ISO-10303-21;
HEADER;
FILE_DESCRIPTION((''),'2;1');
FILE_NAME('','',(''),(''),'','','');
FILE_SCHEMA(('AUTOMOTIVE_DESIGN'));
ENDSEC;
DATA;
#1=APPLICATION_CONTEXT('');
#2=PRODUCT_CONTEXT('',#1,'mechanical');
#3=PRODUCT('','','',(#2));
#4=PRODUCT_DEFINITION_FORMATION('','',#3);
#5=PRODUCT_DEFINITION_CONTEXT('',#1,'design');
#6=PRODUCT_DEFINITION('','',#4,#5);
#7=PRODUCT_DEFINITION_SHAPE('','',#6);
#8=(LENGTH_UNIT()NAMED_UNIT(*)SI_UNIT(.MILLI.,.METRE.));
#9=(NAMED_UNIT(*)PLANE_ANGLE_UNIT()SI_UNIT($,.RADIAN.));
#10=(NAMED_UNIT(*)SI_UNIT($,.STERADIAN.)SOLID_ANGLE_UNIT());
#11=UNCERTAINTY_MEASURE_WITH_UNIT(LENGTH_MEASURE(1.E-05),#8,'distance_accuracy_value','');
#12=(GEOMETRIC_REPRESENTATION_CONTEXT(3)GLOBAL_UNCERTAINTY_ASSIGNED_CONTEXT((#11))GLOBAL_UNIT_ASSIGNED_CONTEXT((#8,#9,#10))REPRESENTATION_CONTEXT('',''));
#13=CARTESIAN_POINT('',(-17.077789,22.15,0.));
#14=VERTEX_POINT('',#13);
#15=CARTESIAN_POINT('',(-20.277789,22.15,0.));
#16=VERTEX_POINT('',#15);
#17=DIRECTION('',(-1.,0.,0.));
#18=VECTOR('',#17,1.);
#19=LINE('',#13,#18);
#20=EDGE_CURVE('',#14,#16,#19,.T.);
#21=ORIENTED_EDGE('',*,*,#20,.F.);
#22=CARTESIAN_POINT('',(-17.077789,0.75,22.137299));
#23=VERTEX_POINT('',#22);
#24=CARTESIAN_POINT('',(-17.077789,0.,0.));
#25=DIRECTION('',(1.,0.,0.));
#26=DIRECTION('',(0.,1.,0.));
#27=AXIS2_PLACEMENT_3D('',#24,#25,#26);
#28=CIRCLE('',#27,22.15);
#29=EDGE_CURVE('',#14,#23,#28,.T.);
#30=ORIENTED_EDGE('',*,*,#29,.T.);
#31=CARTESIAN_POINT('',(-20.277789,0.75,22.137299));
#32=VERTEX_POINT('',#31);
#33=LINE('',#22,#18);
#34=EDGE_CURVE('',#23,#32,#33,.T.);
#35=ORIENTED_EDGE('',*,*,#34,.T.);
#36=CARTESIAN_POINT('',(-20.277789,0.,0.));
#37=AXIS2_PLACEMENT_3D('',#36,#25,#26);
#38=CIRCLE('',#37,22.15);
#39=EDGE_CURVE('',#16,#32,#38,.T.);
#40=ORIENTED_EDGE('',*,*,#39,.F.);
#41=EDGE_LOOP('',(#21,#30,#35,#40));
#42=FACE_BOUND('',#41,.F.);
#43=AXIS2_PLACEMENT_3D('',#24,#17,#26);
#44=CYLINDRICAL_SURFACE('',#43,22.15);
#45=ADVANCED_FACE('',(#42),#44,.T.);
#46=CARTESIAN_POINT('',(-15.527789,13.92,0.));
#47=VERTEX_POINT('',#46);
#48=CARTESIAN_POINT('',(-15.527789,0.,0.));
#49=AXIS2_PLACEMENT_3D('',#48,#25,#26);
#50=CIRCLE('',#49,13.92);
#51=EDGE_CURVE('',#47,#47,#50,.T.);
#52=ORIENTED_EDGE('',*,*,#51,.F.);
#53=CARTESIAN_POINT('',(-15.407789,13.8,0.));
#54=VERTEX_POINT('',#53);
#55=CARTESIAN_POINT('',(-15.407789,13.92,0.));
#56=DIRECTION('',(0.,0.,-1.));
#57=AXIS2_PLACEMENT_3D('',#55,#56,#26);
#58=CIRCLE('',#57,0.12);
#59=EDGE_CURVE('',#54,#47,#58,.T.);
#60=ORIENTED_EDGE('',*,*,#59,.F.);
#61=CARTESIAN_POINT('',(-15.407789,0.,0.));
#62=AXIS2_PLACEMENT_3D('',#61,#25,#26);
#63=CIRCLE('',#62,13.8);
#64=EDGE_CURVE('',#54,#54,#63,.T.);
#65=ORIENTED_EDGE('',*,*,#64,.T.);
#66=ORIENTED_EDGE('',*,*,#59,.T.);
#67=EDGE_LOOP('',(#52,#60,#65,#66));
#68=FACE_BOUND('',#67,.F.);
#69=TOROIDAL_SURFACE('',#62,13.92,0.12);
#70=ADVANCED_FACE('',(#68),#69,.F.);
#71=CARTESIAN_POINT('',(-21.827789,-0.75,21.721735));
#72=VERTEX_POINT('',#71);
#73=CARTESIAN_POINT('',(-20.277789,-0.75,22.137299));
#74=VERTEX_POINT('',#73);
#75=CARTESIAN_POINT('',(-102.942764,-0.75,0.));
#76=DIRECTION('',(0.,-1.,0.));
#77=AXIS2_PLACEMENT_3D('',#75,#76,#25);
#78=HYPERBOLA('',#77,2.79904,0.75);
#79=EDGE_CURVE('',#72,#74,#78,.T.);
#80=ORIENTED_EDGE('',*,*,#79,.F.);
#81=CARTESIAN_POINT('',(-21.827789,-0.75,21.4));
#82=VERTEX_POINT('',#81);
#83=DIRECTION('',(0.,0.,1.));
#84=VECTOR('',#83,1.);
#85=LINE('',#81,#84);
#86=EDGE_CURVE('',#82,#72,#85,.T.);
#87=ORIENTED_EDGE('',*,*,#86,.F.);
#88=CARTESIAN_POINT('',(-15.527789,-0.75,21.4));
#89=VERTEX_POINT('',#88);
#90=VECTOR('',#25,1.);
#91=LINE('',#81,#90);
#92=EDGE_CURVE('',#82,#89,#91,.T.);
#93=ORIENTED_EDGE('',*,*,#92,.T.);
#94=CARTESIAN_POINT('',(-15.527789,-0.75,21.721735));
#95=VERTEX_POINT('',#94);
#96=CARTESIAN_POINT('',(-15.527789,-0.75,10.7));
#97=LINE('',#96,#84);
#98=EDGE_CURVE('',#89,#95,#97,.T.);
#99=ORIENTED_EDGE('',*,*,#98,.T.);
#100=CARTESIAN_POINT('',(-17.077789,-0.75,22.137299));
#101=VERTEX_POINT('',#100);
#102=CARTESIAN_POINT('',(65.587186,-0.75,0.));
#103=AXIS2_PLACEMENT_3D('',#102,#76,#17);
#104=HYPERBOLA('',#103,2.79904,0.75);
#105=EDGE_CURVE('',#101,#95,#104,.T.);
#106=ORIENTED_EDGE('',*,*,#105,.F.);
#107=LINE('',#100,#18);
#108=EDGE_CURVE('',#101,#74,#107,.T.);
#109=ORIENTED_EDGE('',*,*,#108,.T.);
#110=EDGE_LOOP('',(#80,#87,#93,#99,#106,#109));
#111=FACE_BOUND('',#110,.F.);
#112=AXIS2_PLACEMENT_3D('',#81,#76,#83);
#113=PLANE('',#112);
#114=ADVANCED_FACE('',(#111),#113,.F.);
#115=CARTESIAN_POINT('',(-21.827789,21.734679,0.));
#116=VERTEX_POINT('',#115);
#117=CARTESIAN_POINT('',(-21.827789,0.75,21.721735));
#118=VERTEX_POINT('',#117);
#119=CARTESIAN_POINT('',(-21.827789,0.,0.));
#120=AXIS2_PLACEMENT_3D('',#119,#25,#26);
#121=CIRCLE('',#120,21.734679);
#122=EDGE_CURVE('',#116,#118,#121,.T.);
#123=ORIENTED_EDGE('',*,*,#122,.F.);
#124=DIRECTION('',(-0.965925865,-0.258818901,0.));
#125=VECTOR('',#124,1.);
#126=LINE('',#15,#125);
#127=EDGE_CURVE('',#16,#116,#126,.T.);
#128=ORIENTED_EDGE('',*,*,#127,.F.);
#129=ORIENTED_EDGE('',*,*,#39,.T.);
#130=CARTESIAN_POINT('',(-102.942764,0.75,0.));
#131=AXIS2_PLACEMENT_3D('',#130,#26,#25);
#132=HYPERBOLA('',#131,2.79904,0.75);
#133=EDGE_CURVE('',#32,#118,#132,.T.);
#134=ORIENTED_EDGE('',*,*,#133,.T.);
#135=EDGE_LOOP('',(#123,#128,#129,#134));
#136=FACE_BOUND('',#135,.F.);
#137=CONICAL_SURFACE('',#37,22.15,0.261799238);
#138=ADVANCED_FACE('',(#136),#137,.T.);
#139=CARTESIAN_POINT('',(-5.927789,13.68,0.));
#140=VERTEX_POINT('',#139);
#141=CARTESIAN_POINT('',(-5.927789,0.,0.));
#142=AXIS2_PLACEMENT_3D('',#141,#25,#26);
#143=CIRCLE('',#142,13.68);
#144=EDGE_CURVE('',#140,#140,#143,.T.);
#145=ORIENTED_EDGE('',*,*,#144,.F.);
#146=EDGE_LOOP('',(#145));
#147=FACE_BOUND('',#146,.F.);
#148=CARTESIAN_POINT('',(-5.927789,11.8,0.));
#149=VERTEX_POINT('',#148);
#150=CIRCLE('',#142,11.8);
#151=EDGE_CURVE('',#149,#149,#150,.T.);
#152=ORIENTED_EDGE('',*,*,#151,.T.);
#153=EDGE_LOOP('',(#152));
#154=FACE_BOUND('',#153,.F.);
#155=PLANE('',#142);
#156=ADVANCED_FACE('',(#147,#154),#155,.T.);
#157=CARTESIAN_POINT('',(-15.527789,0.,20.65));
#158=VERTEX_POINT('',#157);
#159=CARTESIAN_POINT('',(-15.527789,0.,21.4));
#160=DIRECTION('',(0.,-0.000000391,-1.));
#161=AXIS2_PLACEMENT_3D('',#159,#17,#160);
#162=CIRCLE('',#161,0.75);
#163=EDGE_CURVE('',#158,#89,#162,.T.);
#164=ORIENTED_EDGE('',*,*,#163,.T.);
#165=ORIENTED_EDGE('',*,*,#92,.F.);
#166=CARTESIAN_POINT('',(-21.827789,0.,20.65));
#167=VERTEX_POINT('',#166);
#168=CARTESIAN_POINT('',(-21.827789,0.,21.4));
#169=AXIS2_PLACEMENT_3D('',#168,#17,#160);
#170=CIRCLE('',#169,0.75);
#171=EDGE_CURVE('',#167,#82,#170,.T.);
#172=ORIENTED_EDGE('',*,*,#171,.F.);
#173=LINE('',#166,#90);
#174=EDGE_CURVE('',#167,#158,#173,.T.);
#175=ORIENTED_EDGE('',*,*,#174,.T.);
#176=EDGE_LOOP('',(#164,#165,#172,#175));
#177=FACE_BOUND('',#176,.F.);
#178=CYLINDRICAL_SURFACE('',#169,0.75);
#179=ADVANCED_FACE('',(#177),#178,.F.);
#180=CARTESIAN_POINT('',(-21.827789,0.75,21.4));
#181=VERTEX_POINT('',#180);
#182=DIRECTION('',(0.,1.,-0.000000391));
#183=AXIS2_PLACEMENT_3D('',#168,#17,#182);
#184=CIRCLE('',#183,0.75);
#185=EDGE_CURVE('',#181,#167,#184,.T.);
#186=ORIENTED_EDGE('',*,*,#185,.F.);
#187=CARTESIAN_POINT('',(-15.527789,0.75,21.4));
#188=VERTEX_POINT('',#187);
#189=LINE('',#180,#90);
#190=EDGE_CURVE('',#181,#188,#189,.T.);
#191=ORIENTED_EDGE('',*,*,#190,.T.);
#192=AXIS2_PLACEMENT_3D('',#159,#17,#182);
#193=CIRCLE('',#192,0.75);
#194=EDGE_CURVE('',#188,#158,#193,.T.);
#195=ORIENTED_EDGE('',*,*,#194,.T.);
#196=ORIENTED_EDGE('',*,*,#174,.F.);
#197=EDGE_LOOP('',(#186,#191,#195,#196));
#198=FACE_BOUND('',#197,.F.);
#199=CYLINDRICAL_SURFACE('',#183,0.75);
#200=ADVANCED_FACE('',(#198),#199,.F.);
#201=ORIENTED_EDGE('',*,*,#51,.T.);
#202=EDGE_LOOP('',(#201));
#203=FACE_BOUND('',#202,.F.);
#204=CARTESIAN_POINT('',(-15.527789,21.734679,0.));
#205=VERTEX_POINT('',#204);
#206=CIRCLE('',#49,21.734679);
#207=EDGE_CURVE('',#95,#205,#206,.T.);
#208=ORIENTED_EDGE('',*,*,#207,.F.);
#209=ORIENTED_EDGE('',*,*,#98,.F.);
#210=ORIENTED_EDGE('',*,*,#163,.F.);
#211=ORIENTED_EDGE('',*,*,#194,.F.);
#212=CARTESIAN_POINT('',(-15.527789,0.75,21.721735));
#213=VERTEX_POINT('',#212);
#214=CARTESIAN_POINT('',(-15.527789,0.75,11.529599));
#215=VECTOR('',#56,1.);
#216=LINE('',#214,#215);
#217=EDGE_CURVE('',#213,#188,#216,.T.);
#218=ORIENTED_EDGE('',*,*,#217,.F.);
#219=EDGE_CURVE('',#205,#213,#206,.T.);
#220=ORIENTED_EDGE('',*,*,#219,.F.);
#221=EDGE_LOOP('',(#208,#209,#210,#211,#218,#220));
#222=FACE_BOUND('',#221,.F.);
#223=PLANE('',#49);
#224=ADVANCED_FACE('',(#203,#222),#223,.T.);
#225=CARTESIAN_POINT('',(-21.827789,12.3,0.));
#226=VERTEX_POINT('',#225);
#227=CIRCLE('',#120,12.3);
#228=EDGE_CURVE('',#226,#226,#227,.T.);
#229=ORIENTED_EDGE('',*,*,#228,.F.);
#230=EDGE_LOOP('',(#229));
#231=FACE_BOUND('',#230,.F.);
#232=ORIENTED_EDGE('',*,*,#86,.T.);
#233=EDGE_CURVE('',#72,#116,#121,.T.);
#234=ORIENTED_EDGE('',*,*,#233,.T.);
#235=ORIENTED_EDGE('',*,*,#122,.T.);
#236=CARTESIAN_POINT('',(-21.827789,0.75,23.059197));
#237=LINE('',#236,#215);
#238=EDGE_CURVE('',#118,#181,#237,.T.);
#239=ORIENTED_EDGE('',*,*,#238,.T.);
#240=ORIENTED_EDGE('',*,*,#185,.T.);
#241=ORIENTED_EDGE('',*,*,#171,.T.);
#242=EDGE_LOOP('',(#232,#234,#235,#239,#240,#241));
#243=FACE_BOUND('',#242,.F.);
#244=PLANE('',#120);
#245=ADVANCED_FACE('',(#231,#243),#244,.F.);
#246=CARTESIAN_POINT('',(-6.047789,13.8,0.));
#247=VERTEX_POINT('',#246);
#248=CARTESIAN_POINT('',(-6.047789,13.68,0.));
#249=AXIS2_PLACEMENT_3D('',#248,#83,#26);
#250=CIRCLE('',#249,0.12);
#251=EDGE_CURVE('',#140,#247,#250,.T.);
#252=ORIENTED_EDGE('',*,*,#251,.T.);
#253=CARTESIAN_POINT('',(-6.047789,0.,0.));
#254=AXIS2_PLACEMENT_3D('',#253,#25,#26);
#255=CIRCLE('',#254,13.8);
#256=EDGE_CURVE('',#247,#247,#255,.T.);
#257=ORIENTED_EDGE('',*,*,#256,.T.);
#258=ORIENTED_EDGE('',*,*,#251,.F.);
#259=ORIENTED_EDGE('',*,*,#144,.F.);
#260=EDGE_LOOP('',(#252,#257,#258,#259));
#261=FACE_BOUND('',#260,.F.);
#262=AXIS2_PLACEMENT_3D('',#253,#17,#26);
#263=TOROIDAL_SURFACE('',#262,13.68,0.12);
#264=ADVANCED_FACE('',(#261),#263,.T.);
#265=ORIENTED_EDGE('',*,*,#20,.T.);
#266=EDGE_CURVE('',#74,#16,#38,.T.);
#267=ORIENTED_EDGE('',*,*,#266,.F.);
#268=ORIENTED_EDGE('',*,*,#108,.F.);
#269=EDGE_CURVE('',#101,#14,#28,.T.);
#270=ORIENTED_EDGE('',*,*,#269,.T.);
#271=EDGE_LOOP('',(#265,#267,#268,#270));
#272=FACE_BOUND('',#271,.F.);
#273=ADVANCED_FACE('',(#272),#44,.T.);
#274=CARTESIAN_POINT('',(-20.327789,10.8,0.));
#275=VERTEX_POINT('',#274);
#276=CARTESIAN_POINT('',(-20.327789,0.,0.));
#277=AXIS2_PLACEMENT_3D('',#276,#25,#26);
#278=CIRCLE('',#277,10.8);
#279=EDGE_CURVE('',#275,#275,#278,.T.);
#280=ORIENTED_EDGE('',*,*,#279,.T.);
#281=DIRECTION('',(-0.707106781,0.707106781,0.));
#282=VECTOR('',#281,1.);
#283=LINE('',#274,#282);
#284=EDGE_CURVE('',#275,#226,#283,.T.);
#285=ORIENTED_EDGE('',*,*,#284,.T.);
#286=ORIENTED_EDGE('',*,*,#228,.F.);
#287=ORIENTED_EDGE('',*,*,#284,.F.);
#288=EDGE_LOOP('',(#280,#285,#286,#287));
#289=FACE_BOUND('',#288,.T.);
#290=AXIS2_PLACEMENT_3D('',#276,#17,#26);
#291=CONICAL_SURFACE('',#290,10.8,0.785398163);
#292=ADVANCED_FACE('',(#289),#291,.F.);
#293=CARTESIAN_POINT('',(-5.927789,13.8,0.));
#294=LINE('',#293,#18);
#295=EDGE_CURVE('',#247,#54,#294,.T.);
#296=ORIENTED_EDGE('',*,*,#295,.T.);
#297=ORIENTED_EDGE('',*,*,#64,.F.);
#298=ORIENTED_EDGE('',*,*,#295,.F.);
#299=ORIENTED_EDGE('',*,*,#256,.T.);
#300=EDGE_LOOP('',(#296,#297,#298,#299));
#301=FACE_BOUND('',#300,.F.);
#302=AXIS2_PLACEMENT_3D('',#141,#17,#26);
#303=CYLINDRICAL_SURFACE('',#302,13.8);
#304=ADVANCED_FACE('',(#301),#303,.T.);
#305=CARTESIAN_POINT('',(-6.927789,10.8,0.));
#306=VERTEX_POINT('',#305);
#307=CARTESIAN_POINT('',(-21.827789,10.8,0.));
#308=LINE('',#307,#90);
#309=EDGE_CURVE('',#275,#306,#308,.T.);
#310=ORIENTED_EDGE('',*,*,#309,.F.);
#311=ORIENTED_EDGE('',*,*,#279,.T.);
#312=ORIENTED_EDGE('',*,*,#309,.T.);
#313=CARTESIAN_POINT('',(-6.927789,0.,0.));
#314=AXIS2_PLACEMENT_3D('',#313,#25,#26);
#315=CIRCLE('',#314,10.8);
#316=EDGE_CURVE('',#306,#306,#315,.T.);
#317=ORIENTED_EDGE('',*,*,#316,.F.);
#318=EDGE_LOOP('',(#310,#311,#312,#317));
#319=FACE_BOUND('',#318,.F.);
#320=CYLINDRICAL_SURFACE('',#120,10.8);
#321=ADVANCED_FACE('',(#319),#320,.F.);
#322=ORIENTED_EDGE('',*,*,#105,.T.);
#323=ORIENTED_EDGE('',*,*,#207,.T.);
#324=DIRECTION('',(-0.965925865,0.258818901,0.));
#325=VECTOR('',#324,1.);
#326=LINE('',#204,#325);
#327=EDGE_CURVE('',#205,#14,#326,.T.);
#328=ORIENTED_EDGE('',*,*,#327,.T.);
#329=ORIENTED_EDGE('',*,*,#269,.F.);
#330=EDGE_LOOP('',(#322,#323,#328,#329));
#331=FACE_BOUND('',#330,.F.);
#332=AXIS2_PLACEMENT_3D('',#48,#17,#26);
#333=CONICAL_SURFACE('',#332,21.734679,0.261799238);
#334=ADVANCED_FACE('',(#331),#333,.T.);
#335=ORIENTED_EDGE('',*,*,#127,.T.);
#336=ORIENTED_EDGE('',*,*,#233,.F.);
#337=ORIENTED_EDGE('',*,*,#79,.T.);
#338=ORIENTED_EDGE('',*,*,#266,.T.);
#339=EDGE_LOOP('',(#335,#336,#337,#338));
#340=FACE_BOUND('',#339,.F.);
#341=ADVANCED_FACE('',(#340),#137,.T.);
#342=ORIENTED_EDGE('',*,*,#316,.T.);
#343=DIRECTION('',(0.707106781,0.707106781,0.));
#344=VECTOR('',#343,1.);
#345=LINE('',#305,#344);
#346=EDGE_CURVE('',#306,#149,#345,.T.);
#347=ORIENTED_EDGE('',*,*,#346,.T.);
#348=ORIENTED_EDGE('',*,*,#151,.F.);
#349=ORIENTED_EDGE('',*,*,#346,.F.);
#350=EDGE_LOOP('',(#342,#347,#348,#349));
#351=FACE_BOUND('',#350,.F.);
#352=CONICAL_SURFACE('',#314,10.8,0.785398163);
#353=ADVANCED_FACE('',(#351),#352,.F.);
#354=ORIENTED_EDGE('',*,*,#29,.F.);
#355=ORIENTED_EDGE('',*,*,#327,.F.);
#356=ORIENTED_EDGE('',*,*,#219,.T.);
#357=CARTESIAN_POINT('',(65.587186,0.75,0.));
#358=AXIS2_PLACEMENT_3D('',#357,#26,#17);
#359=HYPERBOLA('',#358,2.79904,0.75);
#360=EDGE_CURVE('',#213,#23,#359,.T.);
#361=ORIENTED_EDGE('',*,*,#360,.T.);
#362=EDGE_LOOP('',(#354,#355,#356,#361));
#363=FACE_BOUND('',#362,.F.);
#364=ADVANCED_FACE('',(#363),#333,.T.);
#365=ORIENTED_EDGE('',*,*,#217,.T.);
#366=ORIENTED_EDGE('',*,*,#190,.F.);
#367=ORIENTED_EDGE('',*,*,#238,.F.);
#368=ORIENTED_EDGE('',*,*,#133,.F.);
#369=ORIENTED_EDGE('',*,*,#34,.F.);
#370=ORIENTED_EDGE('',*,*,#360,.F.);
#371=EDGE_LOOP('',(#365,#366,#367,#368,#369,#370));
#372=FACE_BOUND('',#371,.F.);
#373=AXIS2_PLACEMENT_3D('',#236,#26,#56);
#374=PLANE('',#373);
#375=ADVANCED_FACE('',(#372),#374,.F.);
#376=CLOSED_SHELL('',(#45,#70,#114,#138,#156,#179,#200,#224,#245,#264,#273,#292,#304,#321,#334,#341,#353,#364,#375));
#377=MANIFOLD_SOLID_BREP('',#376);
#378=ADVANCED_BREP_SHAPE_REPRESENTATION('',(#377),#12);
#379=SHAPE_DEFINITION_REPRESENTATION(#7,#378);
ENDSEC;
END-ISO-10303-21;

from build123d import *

# Parameters (mm, degrees)
F2_SIZE  = 1
F3_SIZE  = 1.5
F5_DEPTH = 25
F6_R     = 0.12


with BuildPart() as f1:
    # F0 (on Top) → F1 (revolve)
    with BuildSketch(Plane.XY):
        Polygon((-20.277789, 22.15), (-21.827789, 21.734679), (-21.827789, 10.8), (-5.927789, 10.8), (-5.927789, 13.8), (-15.527789, 13.8), (-15.527789, 21.734679), (-17.077789, 22.15), align=None)
    revolve(axis=Axis((-0.12533, 0, 0), (1, 0, 0)))

    # F2
    f2_edges = [f1.edges().sort_by_distance(p)[0] for p in [
        (-5.927789, -10.8, 0),
    ]]
    chamfer(f2_edges, length=F2_SIZE)

    # F3
    f3_edges = [f1.edges().sort_by_distance(p)[0] for p in [
        (-21.827789, -10.8, 0),
    ]]
    chamfer(f3_edges, length=F3_SIZE)

    # F4 (on face) → F5 (cut)
    with BuildSketch(Plane(origin=(-21.827789, 0, 0), x_dir=(0, -1, 0), z_dir=(-1, 0, 0))):
        with BuildLine():
            ThreePointArc((-0.75, 21.4), (-0.53033, 20.86967), (0, 20.65))
            Line((0, 20.65), (0, 23.059197))
            Line((0, 23.059197), (-0.75, 23.059197))
            Line((-0.75, 23.059197), (-0.75, 21.4))
        make_face()
        with BuildLine():
            Line((0, 23.059197), (0, 20.65))
            ThreePointArc((0, 20.65), (0.53033, 20.86967), (0.75, 21.4))
            Line((0.75, 21.4), (0.75, 23.059197))
            Line((0.75, 23.059197), (0, 23.059197))
        make_face()
        with BuildLine():
            ThreePointArc((0, 21.734679), (0.375056, 21.731443), (0.75, 21.721735))
            Line((0.75, 21.721735), (0.75, 23.059197))
            Line((0.75, 23.059197), (0, 23.059197))
            Line((0, 23.059197), (0, 21.734679))
        make_face()
        with BuildLine():
            Line((-0.75, 23.059197), (-0.75, 21.721735))
            ThreePointArc((-0.75, 21.721735), (-0.375056, 21.731443), (0, 21.734679))
            Line((0, 21.734679), (0, 23.059197))
            Line((0, 23.059197), (-0.75, 23.059197))
        make_face()
        with BuildLine():
            ThreePointArc((0, 21.734679), (-0.375056, 21.731443), (-0.75, 21.721735))
            Line((-0.75, 21.721735), (-0.75, 21.4))
            ThreePointArc((-0.75, 21.4), (-0.53033, 20.86967), (0, 20.65))
            Line((0, 20.65), (0, 21.734679))
        make_face()
        with BuildLine():
            Line((0.75, 21.4), (0.75, 21.721735))
            ThreePointArc((0.75, 21.721735), (0.375056, 21.731443), (0, 21.734679))
            Line((0, 21.734679), (0, 20.65))
            ThreePointArc((0, 20.65), (0.53033, 20.86967), (0.75, 21.4))
        make_face()
    extrude(amount=-F5_DEPTH, mode=Mode.SUBTRACT)

    # F6
    f6_edges = [f1.edges().sort_by_distance(p)[0] for p in [
        (-15.527789, -13.8, 0),
        (-5.927789, -13.8, 0),
    ]]
    fillet(f6_edges, radius=F6_R)


solid = f1.part
